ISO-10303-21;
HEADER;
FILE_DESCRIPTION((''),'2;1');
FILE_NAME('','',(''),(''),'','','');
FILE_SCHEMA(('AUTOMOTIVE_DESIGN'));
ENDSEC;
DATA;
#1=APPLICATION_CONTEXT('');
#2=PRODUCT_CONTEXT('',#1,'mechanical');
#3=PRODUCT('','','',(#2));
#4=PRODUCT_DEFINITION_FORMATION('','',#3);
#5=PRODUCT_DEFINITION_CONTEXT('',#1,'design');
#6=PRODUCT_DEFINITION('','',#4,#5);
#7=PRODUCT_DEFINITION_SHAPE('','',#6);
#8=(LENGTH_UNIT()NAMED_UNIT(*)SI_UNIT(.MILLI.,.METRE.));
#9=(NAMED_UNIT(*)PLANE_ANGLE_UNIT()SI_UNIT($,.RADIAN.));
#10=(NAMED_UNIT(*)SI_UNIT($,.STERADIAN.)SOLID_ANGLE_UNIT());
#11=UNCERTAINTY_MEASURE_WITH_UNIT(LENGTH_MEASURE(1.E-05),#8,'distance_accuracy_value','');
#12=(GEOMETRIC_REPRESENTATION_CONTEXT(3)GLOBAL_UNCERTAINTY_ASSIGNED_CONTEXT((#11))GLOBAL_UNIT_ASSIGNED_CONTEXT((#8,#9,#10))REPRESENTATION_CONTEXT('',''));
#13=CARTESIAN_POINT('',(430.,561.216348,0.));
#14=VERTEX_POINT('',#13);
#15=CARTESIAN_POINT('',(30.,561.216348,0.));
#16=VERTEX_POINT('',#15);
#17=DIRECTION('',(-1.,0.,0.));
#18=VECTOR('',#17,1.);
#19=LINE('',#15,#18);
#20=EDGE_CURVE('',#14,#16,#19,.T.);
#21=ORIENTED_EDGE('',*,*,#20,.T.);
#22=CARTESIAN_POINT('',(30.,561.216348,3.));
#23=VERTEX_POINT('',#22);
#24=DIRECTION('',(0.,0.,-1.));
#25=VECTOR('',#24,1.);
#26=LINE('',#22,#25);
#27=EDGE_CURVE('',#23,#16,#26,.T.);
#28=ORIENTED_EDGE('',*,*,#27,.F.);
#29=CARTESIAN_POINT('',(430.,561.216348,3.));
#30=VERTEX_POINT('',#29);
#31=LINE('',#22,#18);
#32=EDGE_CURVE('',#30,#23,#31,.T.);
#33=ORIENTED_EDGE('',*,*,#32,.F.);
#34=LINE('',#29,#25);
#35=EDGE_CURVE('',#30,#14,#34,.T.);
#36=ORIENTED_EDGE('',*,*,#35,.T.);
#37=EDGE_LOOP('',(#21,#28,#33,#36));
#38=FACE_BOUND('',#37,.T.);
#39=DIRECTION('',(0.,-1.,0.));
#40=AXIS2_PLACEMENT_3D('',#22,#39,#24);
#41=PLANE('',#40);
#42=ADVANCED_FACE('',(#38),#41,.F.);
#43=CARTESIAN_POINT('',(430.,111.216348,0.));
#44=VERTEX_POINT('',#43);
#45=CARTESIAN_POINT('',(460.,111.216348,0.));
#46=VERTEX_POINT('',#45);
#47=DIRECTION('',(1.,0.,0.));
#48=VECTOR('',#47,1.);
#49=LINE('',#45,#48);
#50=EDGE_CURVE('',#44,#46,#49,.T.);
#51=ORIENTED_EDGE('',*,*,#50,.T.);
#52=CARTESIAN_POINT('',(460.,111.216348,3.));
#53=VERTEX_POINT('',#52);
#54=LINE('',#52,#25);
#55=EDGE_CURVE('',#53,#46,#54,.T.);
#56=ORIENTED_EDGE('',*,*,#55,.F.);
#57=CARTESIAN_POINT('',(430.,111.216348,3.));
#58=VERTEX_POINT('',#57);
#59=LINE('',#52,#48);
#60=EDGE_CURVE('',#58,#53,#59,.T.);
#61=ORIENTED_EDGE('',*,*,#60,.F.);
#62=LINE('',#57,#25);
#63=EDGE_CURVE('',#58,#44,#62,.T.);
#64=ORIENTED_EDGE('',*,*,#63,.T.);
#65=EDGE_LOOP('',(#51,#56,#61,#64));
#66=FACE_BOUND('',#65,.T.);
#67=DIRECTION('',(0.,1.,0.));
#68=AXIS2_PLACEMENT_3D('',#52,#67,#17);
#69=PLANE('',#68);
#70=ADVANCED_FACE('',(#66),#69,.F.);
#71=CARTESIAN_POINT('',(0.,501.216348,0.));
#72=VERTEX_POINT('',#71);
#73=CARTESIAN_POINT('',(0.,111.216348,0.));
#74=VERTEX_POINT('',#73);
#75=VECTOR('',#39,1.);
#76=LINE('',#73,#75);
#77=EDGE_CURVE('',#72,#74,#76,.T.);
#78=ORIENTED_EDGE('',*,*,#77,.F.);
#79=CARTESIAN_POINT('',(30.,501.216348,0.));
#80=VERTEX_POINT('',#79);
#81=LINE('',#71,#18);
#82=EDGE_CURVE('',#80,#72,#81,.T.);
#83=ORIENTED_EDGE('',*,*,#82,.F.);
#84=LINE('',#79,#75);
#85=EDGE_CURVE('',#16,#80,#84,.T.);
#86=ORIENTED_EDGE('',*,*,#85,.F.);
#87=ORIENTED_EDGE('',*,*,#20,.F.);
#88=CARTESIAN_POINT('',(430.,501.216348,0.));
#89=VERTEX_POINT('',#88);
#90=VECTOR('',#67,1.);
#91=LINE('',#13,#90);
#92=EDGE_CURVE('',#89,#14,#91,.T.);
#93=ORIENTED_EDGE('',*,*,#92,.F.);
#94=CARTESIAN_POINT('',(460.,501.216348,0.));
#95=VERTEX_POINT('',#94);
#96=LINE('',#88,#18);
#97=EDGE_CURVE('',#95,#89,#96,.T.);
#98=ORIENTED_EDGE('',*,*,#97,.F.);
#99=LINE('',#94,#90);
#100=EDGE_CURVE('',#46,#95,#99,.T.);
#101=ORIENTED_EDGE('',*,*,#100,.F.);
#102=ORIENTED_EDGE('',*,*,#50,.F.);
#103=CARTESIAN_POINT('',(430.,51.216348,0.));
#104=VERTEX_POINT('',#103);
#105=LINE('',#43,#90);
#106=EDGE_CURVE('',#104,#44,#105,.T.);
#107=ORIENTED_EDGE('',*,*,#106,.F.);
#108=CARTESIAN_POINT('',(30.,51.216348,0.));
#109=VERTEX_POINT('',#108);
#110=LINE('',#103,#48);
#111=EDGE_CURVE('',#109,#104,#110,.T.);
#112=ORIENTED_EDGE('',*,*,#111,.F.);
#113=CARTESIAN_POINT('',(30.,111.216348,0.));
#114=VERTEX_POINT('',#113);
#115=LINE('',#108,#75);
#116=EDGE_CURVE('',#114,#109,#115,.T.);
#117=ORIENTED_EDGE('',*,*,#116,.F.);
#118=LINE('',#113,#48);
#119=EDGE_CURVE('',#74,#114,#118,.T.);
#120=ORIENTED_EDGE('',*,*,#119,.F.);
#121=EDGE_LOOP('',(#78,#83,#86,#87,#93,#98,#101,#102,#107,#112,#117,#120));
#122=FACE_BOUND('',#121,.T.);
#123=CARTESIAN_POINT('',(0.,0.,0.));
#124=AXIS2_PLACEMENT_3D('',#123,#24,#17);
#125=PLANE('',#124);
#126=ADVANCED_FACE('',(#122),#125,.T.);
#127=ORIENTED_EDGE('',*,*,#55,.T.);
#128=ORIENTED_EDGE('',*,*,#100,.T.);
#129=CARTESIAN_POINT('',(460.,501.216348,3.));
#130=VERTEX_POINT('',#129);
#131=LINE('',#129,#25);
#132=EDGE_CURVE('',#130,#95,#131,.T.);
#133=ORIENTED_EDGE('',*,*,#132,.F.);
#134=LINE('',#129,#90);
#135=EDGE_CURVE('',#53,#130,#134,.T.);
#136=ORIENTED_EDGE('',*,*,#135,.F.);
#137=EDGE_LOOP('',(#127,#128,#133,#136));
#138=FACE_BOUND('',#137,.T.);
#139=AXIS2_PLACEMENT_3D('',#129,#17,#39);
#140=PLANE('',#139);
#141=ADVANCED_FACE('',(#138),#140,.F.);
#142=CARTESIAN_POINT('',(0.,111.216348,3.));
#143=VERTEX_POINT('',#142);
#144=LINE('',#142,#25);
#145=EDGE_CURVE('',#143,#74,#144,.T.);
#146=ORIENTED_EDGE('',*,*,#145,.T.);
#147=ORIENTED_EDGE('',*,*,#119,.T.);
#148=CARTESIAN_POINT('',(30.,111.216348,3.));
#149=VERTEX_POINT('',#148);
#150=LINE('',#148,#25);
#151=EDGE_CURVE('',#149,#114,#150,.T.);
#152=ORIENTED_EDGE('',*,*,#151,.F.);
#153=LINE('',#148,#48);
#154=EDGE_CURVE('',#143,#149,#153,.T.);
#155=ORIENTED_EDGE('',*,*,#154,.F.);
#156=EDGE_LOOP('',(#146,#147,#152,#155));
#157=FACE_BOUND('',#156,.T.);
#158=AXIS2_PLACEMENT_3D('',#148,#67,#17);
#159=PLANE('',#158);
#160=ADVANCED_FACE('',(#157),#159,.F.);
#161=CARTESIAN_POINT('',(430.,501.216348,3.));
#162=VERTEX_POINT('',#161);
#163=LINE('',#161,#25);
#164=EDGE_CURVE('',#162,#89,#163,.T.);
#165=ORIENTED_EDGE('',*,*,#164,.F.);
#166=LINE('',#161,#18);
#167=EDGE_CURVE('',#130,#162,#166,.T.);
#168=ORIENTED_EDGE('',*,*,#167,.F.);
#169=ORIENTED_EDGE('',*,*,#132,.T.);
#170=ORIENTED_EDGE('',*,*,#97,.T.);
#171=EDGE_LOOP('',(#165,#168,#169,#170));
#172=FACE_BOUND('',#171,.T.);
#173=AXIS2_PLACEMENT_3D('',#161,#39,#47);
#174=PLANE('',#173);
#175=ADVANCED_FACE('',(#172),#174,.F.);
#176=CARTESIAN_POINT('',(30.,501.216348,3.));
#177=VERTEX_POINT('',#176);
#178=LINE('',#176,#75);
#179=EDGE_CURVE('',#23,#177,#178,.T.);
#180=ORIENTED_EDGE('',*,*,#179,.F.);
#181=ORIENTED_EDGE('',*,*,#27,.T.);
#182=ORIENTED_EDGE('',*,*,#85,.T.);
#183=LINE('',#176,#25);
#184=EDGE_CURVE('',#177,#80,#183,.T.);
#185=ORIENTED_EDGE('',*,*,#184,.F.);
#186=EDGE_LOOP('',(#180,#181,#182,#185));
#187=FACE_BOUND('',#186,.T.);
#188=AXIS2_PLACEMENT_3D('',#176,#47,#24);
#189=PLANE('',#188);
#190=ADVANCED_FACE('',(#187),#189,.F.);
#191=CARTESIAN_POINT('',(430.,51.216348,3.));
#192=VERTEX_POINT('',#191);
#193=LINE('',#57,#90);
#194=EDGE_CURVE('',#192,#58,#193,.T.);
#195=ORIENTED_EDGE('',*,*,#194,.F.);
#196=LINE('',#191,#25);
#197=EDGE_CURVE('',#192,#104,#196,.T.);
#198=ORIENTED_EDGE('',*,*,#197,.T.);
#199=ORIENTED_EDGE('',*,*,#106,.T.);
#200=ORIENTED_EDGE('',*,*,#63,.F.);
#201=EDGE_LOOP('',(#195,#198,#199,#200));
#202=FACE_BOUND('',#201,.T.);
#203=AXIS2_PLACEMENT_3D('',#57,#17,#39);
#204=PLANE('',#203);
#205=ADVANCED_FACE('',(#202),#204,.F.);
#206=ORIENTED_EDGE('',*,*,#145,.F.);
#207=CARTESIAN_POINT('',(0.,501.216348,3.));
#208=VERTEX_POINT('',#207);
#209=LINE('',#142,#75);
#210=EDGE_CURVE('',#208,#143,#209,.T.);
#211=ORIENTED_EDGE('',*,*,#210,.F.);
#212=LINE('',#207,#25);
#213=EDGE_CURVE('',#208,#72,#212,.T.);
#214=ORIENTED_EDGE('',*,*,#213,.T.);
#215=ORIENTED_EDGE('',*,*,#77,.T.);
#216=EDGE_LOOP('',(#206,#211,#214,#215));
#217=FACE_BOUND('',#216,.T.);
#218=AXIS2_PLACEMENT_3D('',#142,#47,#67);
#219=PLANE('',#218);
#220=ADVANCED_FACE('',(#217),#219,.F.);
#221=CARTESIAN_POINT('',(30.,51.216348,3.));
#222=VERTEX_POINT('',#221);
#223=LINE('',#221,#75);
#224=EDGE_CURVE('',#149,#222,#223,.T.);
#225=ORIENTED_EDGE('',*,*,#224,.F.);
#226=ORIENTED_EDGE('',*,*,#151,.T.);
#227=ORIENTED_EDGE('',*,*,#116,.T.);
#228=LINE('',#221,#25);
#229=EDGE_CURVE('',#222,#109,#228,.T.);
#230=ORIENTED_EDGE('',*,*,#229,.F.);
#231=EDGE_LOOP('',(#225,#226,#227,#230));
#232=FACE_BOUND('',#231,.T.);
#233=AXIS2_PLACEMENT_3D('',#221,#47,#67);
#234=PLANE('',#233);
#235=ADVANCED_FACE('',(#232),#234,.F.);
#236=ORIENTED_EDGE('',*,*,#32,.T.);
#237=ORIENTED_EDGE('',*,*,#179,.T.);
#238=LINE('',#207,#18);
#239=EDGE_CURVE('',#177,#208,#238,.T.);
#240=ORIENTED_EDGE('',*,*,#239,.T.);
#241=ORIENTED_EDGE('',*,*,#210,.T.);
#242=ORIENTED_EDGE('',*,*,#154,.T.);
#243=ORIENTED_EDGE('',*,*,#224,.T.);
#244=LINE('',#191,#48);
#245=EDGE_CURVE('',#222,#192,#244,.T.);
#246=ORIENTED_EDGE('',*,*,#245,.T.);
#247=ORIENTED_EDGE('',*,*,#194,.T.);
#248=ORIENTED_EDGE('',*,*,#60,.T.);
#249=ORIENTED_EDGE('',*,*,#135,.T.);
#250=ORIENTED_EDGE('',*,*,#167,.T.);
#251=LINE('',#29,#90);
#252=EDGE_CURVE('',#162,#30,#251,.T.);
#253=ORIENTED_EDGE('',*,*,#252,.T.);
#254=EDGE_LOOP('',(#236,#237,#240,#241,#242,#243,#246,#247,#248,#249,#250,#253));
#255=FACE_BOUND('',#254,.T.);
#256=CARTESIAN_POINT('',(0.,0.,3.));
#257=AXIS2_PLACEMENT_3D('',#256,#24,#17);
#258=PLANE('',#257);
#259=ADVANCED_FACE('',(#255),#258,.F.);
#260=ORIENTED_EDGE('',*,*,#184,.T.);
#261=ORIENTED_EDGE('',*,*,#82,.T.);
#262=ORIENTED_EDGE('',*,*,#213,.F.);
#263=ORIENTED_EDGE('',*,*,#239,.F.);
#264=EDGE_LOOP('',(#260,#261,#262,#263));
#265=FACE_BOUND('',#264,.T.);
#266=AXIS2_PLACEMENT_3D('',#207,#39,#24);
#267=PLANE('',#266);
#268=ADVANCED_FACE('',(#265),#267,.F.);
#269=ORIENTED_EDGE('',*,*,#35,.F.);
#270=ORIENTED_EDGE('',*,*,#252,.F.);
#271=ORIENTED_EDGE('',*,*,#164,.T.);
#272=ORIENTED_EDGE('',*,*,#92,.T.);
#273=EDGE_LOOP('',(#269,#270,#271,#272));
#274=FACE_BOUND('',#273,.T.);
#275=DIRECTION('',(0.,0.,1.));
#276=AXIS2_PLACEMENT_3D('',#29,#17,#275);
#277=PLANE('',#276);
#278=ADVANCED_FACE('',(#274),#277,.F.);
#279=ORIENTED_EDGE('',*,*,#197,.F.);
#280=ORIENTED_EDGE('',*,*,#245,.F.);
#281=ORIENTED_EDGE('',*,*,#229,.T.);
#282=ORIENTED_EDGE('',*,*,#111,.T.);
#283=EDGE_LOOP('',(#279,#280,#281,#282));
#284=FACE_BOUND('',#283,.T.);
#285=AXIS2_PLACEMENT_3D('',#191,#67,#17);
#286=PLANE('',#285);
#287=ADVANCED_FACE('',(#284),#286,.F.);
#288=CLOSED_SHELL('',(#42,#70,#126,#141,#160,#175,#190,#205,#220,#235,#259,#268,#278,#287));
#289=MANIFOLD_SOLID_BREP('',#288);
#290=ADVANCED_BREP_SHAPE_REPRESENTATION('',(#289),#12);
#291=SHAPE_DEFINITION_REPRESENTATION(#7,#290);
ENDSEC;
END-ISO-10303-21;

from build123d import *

# Parameters (mm, degrees)
P_IDAT_VYSUNUT_M1_DEPTH = 3


with BuildPart() as part:
    # Skica1 → Přidat vysunutím1 (new body)
    with BuildSketch(Plane.XY):
        Polygon((30, 51.21634832), (30, 111.21634832), (0, 111.21634832), (0, 501.21634832), (30, 501.21634832), (30, 561.21634832), (430, 561.21634832), (430, 501.21634832), (460, 501.21634832), (460, 111.21634832), (430, 111.21634832), (430, 51.21634832), align=None)
    extrude(amount=P_IDAT_VYSUNUT_M1_DEPTH)


solid = part.part
